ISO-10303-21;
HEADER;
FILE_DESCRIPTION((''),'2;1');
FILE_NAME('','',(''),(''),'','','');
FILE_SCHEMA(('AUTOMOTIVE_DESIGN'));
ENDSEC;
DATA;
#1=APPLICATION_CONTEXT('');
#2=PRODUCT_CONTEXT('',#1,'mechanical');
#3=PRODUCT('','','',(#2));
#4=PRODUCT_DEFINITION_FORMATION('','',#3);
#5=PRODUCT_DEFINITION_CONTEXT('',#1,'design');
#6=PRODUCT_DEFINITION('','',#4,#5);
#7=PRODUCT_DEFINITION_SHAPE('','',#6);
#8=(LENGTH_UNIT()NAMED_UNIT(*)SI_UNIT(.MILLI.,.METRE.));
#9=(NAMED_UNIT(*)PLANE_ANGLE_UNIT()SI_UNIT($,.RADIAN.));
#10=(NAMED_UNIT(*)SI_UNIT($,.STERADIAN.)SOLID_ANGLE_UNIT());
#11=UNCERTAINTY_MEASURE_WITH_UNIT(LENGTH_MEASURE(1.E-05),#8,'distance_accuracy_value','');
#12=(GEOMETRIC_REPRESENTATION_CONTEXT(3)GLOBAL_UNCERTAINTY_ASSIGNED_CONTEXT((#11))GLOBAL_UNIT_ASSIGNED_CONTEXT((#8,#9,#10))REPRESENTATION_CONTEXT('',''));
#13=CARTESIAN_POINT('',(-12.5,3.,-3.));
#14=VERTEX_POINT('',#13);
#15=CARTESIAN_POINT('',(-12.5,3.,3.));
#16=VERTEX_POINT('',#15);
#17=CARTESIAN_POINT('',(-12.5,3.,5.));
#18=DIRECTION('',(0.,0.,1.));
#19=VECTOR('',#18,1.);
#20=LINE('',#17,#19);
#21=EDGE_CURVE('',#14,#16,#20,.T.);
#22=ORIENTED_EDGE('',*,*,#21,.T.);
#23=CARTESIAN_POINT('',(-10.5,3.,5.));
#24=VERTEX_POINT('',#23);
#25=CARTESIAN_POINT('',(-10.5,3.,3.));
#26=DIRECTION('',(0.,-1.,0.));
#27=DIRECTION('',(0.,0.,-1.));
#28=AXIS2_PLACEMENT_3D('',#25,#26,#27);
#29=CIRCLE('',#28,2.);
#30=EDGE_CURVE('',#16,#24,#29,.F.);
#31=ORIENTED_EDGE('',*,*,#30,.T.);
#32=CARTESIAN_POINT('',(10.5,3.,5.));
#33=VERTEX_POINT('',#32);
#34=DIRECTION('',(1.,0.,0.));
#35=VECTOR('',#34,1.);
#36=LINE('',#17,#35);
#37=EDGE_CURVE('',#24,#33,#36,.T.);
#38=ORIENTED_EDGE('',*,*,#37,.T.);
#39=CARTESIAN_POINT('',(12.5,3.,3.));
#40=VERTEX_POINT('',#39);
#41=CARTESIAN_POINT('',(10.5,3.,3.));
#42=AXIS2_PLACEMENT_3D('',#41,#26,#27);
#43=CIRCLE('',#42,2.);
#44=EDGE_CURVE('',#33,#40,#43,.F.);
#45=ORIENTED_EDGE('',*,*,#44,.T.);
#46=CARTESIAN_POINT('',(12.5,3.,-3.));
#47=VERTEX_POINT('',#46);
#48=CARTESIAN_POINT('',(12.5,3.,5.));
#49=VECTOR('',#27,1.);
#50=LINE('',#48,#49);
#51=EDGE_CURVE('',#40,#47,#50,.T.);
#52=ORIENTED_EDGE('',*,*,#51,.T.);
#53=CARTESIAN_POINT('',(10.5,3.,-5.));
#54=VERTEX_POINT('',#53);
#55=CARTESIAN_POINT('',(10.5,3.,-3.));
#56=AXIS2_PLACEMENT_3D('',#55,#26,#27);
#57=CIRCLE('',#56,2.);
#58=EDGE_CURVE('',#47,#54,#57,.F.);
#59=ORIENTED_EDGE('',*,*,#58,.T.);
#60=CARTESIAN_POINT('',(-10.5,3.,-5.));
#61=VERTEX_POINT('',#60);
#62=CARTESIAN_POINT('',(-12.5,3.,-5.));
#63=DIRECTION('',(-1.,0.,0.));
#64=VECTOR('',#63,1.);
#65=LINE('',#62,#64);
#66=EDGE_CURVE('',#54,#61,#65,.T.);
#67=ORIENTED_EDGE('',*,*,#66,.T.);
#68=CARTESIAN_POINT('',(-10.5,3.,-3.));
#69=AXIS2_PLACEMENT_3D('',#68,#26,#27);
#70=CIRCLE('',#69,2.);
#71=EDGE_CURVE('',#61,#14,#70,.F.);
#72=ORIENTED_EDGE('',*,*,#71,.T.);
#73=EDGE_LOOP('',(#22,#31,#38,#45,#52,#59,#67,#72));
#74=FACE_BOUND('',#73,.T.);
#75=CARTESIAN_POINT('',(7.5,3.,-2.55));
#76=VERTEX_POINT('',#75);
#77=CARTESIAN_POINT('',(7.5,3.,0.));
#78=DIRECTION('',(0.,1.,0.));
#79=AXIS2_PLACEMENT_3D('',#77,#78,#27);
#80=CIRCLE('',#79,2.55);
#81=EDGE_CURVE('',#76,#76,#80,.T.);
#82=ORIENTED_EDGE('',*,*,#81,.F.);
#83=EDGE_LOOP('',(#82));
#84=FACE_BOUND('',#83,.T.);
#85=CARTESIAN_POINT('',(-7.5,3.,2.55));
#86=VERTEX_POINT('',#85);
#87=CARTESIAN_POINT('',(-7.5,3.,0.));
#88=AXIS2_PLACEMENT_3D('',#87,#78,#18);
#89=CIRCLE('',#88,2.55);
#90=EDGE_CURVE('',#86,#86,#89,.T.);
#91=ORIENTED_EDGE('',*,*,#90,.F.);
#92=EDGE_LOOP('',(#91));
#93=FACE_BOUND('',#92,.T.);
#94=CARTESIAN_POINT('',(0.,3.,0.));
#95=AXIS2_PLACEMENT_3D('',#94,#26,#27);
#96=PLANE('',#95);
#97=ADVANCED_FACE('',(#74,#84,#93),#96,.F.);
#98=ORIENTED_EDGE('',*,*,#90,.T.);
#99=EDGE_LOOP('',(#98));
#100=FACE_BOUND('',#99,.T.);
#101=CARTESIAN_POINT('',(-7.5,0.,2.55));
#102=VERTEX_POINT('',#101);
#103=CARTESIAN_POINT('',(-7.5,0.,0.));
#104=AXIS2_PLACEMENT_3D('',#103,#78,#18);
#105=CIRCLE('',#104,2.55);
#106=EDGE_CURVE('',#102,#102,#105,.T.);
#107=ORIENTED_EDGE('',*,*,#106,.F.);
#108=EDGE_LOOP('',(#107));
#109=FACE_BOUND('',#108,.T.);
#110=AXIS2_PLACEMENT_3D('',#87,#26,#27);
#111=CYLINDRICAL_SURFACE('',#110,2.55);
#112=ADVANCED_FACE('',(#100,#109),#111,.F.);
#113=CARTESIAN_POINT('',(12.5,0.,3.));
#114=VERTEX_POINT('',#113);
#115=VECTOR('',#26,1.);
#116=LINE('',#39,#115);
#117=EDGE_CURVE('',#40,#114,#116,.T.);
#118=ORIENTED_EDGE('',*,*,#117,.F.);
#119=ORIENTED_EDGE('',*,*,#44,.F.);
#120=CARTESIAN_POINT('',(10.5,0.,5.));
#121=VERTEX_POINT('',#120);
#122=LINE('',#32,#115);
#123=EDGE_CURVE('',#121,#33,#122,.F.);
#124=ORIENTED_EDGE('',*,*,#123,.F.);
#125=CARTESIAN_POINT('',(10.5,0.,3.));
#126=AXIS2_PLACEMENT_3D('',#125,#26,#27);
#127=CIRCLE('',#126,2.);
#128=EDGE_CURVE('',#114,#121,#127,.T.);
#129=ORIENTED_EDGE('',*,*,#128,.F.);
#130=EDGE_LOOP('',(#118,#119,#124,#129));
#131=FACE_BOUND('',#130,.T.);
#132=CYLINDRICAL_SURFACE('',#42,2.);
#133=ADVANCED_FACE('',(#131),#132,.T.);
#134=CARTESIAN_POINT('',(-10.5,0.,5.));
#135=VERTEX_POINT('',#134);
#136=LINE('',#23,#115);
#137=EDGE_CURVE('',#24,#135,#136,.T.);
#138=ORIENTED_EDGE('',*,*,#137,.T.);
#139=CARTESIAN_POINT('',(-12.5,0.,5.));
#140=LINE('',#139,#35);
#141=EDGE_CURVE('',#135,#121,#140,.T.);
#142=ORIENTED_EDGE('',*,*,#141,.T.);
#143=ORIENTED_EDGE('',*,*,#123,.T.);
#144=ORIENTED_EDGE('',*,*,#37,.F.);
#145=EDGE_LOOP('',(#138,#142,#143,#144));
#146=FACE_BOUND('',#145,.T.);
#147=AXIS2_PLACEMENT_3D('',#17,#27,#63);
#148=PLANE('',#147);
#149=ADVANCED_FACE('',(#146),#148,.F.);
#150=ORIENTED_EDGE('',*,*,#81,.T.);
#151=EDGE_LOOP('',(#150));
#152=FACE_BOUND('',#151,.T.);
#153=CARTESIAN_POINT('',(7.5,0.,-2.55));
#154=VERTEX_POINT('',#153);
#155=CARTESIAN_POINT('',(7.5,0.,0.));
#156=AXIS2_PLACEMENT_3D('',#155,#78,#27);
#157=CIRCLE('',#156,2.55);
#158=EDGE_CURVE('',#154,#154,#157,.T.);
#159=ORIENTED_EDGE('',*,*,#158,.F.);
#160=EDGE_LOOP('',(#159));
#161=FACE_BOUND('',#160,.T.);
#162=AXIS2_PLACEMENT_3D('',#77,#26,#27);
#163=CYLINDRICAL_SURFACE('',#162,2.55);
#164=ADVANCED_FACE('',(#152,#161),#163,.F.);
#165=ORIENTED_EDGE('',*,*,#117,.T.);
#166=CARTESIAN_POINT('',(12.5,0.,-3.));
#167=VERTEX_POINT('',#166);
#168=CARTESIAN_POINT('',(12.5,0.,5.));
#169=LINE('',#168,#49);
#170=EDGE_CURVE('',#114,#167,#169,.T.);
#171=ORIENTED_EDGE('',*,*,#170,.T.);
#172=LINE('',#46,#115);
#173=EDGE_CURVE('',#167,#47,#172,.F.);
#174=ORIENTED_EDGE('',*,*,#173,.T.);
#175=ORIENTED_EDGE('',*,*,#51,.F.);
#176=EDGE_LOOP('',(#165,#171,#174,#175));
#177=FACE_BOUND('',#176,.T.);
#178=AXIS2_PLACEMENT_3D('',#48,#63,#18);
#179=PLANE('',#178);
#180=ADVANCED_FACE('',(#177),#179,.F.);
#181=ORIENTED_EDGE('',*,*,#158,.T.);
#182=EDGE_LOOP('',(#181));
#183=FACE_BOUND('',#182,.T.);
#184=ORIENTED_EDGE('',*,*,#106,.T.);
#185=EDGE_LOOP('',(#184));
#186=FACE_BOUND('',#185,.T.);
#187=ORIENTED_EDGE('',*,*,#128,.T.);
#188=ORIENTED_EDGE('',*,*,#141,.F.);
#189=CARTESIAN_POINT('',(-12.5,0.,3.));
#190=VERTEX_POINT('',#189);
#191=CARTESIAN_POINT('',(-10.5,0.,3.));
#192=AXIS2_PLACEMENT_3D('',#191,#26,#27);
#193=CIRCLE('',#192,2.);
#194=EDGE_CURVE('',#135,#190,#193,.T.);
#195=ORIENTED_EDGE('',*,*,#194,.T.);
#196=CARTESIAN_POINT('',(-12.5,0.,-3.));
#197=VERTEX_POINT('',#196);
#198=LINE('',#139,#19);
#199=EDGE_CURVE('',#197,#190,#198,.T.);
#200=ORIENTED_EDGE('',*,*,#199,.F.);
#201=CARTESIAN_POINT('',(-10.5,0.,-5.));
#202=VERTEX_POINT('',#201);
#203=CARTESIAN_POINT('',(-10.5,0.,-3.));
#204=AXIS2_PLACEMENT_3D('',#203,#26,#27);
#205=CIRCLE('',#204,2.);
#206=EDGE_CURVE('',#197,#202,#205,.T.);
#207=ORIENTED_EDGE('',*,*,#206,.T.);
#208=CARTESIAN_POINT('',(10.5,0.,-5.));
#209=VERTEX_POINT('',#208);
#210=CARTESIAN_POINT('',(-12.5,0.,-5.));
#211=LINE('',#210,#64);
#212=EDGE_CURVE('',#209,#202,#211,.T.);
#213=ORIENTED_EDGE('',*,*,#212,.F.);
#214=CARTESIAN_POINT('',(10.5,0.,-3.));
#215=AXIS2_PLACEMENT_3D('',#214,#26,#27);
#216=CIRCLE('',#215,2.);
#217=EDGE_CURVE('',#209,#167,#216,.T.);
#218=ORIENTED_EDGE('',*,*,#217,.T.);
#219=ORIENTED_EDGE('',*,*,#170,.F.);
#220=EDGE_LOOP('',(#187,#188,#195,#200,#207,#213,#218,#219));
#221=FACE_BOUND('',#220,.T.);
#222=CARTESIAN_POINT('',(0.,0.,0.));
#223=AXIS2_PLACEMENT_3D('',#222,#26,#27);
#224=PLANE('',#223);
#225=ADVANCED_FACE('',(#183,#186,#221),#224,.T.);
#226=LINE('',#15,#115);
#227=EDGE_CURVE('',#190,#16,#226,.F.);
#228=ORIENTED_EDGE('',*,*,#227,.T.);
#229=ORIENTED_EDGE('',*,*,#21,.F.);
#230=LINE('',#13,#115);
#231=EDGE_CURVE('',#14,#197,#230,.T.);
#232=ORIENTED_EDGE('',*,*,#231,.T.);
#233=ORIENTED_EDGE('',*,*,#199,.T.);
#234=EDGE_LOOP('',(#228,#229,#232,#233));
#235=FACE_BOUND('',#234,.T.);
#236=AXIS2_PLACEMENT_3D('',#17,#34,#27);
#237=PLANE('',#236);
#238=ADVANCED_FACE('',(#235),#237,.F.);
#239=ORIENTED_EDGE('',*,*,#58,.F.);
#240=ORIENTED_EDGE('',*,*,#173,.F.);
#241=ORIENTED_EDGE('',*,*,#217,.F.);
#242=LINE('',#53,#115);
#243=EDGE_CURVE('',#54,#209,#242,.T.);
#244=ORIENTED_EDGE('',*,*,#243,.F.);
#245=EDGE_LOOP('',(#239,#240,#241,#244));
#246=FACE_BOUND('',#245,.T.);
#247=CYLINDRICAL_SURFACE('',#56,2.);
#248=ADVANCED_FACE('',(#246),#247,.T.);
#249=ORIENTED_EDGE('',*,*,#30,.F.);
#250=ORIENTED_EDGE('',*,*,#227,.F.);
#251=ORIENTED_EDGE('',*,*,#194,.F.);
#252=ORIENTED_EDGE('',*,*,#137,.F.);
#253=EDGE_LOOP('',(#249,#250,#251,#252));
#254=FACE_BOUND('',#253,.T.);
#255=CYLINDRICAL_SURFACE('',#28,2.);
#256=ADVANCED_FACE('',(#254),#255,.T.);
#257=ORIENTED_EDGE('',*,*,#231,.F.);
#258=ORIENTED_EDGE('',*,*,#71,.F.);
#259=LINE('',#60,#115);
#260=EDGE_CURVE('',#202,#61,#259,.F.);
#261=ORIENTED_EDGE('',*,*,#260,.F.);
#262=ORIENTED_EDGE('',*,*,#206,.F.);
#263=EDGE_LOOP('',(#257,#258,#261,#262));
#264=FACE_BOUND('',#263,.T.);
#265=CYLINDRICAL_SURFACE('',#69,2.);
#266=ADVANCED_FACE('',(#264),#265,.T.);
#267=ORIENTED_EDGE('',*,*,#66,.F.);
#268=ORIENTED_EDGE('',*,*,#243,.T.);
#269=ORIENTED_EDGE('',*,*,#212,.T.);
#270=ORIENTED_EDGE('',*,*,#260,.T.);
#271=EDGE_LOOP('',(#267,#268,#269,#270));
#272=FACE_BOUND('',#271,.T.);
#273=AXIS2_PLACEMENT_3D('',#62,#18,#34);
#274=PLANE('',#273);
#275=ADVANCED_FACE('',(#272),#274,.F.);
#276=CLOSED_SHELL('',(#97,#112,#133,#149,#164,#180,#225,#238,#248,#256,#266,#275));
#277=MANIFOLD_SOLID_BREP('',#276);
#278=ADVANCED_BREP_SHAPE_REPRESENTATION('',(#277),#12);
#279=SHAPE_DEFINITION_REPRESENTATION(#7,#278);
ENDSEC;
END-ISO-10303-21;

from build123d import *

# Parameters (mm, degrees)
SKETCH1_W           = 25
SKETCH1_H           = 10
SKETCH1_R           = 2.55
BOSS_EXTRUDE1_DEPTH = 3
FILLET1_R           = 2


with BuildPart() as part:
    # Sketch1 → Boss-Extrude1 (new body)
    with BuildSketch(Plane(origin=(0, 0, 0), x_dir=(1, 0, 0), z_dir=(0, 1, 0))):
        Rectangle(SKETCH1_W, SKETCH1_H)
        with Locations((-7.5, 0)):
            Circle(SKETCH1_R, mode=Mode.SUBTRACT)
        with Locations((7.5, 0)):
            Circle(SKETCH1_R, mode=Mode.SUBTRACT)
    extrude(amount=BOSS_EXTRUDE1_DEPTH)

    # Fillet1
    fillet1_edges = [part.edges().sort_by_distance(p)[0] for p in [
        (12.5, 1.5, 5),
        (-12.5, 1.5, 5),
        (-12.5, 1.5, -5),
        (12.5, 1.5, -5),
    ]]
    fillet(fillet1_edges, radius=FILLET1_R)


solid = part.part
